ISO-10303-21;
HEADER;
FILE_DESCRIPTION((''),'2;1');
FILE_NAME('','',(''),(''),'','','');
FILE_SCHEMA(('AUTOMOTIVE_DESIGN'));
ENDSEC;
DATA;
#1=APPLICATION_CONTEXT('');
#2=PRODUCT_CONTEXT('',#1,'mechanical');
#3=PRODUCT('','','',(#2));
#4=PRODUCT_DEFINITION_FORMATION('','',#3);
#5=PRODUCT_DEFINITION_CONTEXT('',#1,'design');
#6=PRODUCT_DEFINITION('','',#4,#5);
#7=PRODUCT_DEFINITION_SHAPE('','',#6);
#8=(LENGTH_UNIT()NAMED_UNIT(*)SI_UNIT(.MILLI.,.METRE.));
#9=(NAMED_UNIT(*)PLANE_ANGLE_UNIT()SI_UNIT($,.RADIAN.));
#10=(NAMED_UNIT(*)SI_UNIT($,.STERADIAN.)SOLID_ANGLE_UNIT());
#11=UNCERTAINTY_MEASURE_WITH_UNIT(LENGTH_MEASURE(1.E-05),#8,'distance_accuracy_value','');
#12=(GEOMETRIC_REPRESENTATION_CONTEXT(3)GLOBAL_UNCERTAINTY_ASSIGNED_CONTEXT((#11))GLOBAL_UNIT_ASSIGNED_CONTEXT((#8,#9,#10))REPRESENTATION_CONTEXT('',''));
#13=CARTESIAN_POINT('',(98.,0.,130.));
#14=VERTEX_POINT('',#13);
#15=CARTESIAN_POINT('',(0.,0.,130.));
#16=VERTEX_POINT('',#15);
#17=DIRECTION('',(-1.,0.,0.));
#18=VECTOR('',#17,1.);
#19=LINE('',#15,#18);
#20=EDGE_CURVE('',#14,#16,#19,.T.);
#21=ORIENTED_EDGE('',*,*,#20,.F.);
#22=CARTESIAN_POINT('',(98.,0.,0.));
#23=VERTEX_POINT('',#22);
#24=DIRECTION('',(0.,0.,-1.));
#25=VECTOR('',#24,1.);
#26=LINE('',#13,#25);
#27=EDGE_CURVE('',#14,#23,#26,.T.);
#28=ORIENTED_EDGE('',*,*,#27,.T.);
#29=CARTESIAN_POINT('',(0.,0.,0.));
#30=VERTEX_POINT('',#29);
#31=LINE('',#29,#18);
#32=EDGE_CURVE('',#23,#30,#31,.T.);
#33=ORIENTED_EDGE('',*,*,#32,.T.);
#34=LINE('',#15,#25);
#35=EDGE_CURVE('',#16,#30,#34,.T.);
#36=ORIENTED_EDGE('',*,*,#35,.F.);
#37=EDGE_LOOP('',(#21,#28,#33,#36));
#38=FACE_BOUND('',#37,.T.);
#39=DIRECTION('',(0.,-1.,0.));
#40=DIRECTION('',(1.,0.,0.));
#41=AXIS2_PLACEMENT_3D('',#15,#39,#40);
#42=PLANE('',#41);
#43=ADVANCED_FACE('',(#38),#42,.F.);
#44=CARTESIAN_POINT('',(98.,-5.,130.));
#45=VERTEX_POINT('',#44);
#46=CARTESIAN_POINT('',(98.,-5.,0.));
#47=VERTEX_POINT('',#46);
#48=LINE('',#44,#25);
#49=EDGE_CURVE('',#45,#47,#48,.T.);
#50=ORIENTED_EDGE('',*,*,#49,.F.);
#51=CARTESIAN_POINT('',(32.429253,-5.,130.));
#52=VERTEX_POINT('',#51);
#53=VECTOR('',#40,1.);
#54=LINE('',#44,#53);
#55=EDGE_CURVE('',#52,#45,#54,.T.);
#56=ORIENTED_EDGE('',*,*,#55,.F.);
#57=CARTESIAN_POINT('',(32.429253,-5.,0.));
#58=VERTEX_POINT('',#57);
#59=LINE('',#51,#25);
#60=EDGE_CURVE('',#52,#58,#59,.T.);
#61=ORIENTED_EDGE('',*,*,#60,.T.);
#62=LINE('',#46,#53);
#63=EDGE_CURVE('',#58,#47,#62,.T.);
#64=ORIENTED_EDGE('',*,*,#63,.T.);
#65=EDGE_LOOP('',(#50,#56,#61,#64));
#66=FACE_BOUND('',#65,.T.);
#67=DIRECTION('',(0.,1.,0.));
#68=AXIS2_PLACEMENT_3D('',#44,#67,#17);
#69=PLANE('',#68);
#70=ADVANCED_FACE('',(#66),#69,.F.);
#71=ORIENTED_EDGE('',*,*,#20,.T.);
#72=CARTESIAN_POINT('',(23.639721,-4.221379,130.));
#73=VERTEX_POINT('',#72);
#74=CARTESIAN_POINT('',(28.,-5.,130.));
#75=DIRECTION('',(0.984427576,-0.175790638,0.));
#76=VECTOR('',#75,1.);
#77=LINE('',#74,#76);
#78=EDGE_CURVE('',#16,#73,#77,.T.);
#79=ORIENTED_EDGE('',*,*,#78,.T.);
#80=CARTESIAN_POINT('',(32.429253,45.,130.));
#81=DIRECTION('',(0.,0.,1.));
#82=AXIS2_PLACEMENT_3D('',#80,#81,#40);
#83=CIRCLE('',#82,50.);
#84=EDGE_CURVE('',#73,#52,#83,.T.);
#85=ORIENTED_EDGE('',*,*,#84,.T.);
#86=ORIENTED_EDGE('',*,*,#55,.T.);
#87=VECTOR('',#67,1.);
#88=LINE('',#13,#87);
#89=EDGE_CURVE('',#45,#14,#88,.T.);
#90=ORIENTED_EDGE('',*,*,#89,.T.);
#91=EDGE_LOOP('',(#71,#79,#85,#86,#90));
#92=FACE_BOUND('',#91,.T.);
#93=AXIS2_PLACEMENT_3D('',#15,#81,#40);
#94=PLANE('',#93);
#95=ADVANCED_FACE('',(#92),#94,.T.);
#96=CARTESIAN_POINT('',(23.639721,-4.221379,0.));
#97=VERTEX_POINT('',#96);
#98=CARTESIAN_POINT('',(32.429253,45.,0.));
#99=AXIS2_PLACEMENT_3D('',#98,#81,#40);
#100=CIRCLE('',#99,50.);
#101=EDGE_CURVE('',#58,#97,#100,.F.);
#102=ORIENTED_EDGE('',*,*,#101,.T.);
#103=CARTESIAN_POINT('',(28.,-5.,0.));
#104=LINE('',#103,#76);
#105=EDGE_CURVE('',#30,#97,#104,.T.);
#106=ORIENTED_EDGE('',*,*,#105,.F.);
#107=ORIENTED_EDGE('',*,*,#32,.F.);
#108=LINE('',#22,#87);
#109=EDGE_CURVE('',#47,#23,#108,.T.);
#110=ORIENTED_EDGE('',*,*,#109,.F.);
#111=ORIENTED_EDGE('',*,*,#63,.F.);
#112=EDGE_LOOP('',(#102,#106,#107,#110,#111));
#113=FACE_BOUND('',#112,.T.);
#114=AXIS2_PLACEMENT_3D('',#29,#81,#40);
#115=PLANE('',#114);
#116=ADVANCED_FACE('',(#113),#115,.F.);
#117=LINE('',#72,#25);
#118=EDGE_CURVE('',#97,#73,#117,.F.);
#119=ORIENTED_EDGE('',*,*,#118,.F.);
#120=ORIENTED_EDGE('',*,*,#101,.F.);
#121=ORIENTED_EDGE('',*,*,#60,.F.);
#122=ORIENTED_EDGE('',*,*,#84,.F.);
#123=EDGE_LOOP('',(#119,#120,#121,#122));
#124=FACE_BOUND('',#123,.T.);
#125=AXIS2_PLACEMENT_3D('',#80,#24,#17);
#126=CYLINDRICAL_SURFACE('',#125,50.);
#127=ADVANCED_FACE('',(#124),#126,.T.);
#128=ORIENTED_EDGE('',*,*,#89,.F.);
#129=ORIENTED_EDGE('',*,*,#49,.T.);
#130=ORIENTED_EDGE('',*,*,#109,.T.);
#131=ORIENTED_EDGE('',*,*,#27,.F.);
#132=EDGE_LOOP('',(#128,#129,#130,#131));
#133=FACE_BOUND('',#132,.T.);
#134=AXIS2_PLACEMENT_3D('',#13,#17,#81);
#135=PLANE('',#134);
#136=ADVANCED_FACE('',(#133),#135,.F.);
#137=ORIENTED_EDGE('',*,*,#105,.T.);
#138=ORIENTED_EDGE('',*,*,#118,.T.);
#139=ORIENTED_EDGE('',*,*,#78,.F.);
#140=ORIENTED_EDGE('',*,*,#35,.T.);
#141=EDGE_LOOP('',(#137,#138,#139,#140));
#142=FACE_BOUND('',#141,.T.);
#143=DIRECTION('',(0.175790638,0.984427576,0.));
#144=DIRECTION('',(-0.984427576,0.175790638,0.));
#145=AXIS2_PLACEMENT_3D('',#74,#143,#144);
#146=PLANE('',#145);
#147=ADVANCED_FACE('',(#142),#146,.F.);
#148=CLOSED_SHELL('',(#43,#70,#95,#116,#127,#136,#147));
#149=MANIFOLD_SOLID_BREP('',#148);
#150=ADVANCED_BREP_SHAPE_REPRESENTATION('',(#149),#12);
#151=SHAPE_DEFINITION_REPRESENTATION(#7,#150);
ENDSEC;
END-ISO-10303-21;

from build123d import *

# Parameters (mm, degrees)
BOSS_EXTRUDE1_DEPTH = 130
FILLET1_R           = 50


with BuildPart() as part:
    # Sketch1 → Boss-Extrude1 (new body)
    with BuildSketch(Plane.XY):
        Polygon((0, 0), (98, 0), (98, -5), (28, -5), align=None)
    extrude(amount=BOSS_EXTRUDE1_DEPTH)

    # Fillet1
    fillet1_edges = [part.edges().sort_by_distance(p)[0] for p in [
        (28, -5, 65),
    ]]
    fillet(fillet1_edges, radius=FILLET1_R)


solid = part.part
